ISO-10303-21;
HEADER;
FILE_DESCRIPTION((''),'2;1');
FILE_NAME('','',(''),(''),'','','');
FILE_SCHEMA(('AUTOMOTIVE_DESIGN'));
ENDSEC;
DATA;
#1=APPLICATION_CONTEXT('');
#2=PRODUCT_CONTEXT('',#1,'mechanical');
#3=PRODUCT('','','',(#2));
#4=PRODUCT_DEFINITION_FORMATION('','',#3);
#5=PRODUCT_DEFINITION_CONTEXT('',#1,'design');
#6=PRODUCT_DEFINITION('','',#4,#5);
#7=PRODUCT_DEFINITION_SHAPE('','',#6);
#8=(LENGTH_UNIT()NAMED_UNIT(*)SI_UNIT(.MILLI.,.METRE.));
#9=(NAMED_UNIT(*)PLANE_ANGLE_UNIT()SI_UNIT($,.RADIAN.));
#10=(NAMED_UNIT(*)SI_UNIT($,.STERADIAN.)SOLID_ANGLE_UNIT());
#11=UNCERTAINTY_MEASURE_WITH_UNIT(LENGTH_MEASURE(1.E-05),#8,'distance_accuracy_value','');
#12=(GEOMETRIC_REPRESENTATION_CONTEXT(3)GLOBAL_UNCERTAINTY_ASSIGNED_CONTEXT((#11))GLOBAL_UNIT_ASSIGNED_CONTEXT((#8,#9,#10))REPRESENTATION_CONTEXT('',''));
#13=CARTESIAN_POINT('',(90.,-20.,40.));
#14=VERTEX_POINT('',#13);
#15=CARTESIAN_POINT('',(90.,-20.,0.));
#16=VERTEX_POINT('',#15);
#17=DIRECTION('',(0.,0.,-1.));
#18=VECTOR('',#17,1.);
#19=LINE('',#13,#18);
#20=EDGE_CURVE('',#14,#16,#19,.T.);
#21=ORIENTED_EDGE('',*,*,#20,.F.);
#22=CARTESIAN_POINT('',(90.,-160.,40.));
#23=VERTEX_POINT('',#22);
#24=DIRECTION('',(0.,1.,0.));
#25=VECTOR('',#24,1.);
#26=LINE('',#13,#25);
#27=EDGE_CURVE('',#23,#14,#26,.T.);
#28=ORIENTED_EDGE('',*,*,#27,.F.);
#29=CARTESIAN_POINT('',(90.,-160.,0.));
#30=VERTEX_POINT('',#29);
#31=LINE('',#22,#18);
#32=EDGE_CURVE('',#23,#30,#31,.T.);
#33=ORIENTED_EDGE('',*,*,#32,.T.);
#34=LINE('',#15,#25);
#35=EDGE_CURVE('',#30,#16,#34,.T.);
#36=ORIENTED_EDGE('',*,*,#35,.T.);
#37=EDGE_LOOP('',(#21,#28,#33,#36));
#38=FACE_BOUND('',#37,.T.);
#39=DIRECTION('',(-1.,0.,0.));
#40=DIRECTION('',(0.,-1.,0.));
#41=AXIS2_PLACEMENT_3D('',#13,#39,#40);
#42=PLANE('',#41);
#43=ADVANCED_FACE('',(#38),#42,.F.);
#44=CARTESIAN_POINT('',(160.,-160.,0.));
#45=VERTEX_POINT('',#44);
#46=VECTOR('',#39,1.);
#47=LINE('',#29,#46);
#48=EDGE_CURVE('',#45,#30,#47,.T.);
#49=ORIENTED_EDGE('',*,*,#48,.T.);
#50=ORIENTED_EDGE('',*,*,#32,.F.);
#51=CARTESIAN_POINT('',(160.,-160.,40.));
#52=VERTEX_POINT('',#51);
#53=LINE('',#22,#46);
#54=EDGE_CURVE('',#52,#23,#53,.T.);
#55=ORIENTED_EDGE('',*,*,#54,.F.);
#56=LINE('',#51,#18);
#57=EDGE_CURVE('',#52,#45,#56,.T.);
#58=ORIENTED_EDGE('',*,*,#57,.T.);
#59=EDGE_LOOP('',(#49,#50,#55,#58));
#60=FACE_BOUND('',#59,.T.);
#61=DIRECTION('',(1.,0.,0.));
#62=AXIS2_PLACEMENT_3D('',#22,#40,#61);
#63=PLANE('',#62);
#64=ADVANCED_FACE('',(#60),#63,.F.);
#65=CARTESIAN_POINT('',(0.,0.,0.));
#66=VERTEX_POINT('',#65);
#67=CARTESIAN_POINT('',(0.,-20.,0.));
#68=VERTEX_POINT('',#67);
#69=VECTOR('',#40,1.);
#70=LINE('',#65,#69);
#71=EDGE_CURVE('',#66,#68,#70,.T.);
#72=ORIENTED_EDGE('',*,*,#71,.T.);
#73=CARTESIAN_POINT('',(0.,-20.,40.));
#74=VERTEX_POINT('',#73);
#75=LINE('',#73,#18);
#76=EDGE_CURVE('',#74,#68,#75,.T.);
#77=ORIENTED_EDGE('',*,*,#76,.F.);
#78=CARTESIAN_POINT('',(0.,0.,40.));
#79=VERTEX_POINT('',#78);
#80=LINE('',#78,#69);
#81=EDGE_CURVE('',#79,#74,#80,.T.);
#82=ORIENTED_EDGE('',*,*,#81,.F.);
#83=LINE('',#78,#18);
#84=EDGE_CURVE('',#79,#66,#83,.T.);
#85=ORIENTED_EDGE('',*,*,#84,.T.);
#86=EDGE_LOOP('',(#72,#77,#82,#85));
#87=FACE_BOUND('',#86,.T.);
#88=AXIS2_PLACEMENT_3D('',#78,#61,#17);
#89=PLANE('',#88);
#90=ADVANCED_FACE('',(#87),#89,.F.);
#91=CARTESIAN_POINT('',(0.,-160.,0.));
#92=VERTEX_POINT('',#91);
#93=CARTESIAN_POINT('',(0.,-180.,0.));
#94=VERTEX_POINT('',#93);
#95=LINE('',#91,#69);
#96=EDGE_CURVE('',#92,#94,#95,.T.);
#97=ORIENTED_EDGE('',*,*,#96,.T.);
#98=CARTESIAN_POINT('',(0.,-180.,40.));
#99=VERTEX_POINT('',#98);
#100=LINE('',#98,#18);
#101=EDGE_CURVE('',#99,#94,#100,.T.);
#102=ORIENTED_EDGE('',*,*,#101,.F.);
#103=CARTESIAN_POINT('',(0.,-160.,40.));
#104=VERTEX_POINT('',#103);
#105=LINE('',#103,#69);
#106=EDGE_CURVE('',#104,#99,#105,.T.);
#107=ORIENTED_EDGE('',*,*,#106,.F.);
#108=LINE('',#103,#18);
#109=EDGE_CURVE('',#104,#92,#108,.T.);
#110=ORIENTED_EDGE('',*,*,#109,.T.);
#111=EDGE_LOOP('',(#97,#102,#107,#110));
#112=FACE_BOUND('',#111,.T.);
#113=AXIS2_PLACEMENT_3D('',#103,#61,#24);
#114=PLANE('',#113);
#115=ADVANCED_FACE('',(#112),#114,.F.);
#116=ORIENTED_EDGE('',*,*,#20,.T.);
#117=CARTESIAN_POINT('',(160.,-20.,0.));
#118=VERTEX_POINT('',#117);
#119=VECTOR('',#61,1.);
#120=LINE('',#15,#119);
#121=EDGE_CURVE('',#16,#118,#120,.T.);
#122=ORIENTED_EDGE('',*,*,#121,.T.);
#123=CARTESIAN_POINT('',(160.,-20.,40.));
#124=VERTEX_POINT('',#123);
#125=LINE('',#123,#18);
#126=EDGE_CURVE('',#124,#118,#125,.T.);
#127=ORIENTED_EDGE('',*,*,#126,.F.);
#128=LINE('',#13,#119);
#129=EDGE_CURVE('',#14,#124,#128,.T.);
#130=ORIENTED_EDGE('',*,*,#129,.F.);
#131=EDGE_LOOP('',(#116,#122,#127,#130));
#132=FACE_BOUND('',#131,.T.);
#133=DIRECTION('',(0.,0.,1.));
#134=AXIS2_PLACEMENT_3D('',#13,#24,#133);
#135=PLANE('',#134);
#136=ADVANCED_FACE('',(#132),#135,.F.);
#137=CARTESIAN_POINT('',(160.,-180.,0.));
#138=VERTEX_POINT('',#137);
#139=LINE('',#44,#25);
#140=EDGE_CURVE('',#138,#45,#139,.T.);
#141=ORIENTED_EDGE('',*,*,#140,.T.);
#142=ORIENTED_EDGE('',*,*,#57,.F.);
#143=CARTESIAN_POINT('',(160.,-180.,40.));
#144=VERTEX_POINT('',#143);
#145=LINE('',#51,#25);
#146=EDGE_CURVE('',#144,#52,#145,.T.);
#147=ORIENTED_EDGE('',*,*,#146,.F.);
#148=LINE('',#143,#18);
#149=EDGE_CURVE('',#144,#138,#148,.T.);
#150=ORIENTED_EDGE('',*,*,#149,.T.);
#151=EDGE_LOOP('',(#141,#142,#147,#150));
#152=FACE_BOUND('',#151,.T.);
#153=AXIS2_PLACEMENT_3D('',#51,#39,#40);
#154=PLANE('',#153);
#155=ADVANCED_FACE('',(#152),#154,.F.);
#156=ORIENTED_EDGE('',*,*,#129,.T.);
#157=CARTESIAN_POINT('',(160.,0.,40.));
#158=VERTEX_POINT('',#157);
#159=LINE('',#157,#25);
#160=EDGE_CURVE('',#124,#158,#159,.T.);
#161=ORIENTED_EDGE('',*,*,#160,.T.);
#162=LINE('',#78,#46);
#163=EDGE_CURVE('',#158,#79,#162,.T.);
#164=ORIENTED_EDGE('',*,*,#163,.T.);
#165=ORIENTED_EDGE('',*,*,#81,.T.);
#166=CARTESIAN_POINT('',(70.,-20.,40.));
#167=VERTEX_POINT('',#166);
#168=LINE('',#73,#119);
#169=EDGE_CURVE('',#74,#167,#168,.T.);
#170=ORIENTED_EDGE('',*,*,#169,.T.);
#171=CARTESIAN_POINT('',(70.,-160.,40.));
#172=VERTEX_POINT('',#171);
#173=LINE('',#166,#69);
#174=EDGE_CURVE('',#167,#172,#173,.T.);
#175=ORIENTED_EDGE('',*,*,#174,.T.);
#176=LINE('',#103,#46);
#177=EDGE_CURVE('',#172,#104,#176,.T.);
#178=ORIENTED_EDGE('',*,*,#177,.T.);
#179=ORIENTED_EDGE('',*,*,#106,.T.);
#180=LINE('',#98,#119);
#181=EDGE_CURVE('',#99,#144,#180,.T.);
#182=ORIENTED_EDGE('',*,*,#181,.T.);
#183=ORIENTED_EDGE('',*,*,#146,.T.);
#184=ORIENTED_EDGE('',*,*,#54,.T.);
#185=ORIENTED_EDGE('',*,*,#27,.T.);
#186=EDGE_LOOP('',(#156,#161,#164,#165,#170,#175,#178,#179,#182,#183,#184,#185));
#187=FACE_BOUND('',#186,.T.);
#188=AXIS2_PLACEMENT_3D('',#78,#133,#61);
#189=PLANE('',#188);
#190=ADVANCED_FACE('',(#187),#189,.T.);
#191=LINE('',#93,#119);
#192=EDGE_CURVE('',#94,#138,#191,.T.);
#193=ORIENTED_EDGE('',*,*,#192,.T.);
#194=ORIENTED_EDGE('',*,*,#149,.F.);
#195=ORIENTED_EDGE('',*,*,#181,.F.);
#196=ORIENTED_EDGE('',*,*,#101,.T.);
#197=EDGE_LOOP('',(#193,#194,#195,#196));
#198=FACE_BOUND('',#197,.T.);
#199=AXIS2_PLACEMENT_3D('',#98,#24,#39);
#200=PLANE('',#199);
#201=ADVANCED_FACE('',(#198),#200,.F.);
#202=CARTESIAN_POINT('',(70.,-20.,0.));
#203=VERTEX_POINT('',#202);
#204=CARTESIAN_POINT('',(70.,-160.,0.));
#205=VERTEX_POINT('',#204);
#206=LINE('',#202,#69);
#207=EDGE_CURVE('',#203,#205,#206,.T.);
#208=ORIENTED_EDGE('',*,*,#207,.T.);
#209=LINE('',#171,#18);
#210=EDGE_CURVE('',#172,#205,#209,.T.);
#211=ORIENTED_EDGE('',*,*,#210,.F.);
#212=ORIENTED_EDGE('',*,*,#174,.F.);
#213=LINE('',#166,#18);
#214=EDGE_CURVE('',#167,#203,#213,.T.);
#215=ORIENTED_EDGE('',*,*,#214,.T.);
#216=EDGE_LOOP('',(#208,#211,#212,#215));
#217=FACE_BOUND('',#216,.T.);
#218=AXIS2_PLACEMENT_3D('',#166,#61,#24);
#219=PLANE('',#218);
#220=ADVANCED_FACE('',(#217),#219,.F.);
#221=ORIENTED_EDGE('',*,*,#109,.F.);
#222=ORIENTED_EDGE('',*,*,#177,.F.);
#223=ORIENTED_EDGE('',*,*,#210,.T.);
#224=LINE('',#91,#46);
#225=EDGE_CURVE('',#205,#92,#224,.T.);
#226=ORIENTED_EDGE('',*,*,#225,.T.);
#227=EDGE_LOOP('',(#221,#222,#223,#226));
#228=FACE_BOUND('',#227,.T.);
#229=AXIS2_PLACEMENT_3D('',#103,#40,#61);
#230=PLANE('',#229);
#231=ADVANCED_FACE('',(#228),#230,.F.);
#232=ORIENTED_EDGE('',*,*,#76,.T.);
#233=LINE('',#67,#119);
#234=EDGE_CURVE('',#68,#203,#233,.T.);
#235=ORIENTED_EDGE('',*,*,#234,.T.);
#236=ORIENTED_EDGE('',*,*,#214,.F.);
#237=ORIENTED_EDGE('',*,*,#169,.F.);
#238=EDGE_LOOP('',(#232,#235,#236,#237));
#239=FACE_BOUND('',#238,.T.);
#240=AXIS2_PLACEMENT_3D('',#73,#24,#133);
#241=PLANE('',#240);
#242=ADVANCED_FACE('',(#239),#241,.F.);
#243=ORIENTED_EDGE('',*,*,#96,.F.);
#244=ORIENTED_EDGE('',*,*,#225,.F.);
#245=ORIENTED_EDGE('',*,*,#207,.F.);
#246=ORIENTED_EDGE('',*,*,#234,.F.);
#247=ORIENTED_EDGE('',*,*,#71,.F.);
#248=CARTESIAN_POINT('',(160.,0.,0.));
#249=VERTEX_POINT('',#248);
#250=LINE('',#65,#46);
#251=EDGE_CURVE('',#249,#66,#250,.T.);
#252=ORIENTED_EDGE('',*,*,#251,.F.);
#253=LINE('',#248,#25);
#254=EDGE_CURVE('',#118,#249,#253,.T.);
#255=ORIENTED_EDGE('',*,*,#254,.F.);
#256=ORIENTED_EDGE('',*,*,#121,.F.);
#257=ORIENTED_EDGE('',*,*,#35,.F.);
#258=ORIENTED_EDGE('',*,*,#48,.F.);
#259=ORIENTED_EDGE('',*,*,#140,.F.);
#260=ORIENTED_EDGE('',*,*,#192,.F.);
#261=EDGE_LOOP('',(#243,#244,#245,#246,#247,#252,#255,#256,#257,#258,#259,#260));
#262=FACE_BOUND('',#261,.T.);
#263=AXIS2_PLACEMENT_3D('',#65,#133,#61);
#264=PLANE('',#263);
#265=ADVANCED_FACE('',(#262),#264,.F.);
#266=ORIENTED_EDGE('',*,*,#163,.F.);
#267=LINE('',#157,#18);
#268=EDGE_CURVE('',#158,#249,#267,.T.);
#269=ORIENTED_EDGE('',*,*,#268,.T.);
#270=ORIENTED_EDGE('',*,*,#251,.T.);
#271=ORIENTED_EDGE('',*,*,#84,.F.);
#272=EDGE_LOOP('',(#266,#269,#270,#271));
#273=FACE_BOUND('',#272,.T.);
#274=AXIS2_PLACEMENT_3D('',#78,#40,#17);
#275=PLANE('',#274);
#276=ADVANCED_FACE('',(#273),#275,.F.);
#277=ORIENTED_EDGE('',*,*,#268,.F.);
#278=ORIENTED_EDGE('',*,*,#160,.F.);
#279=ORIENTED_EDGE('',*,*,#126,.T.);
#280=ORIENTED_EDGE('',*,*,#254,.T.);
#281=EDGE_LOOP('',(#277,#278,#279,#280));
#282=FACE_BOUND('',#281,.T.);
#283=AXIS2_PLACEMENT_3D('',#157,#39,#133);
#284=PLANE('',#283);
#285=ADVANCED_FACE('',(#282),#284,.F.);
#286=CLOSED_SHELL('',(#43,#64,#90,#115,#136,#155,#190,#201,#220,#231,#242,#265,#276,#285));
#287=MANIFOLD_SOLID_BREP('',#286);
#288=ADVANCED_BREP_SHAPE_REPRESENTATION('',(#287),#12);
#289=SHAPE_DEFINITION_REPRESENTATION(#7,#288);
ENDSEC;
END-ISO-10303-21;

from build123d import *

# Parameters (mm, degrees)
BOSS_EXTRUDE1_DEPTH = 40


with BuildPart() as part:
    # Sketch1 → Boss-Extrude1 (new body)
    with BuildSketch(Plane.XY):
        Polygon((90, -20), (160, -20), (160, 0), (0, 0), (0, -20), (70, -20), (70, -160), (0, -160), (0, -180), (160, -180), (160, -160), (90, -160), align=None)
    extrude(amount=BOSS_EXTRUDE1_DEPTH)


solid = part.part
